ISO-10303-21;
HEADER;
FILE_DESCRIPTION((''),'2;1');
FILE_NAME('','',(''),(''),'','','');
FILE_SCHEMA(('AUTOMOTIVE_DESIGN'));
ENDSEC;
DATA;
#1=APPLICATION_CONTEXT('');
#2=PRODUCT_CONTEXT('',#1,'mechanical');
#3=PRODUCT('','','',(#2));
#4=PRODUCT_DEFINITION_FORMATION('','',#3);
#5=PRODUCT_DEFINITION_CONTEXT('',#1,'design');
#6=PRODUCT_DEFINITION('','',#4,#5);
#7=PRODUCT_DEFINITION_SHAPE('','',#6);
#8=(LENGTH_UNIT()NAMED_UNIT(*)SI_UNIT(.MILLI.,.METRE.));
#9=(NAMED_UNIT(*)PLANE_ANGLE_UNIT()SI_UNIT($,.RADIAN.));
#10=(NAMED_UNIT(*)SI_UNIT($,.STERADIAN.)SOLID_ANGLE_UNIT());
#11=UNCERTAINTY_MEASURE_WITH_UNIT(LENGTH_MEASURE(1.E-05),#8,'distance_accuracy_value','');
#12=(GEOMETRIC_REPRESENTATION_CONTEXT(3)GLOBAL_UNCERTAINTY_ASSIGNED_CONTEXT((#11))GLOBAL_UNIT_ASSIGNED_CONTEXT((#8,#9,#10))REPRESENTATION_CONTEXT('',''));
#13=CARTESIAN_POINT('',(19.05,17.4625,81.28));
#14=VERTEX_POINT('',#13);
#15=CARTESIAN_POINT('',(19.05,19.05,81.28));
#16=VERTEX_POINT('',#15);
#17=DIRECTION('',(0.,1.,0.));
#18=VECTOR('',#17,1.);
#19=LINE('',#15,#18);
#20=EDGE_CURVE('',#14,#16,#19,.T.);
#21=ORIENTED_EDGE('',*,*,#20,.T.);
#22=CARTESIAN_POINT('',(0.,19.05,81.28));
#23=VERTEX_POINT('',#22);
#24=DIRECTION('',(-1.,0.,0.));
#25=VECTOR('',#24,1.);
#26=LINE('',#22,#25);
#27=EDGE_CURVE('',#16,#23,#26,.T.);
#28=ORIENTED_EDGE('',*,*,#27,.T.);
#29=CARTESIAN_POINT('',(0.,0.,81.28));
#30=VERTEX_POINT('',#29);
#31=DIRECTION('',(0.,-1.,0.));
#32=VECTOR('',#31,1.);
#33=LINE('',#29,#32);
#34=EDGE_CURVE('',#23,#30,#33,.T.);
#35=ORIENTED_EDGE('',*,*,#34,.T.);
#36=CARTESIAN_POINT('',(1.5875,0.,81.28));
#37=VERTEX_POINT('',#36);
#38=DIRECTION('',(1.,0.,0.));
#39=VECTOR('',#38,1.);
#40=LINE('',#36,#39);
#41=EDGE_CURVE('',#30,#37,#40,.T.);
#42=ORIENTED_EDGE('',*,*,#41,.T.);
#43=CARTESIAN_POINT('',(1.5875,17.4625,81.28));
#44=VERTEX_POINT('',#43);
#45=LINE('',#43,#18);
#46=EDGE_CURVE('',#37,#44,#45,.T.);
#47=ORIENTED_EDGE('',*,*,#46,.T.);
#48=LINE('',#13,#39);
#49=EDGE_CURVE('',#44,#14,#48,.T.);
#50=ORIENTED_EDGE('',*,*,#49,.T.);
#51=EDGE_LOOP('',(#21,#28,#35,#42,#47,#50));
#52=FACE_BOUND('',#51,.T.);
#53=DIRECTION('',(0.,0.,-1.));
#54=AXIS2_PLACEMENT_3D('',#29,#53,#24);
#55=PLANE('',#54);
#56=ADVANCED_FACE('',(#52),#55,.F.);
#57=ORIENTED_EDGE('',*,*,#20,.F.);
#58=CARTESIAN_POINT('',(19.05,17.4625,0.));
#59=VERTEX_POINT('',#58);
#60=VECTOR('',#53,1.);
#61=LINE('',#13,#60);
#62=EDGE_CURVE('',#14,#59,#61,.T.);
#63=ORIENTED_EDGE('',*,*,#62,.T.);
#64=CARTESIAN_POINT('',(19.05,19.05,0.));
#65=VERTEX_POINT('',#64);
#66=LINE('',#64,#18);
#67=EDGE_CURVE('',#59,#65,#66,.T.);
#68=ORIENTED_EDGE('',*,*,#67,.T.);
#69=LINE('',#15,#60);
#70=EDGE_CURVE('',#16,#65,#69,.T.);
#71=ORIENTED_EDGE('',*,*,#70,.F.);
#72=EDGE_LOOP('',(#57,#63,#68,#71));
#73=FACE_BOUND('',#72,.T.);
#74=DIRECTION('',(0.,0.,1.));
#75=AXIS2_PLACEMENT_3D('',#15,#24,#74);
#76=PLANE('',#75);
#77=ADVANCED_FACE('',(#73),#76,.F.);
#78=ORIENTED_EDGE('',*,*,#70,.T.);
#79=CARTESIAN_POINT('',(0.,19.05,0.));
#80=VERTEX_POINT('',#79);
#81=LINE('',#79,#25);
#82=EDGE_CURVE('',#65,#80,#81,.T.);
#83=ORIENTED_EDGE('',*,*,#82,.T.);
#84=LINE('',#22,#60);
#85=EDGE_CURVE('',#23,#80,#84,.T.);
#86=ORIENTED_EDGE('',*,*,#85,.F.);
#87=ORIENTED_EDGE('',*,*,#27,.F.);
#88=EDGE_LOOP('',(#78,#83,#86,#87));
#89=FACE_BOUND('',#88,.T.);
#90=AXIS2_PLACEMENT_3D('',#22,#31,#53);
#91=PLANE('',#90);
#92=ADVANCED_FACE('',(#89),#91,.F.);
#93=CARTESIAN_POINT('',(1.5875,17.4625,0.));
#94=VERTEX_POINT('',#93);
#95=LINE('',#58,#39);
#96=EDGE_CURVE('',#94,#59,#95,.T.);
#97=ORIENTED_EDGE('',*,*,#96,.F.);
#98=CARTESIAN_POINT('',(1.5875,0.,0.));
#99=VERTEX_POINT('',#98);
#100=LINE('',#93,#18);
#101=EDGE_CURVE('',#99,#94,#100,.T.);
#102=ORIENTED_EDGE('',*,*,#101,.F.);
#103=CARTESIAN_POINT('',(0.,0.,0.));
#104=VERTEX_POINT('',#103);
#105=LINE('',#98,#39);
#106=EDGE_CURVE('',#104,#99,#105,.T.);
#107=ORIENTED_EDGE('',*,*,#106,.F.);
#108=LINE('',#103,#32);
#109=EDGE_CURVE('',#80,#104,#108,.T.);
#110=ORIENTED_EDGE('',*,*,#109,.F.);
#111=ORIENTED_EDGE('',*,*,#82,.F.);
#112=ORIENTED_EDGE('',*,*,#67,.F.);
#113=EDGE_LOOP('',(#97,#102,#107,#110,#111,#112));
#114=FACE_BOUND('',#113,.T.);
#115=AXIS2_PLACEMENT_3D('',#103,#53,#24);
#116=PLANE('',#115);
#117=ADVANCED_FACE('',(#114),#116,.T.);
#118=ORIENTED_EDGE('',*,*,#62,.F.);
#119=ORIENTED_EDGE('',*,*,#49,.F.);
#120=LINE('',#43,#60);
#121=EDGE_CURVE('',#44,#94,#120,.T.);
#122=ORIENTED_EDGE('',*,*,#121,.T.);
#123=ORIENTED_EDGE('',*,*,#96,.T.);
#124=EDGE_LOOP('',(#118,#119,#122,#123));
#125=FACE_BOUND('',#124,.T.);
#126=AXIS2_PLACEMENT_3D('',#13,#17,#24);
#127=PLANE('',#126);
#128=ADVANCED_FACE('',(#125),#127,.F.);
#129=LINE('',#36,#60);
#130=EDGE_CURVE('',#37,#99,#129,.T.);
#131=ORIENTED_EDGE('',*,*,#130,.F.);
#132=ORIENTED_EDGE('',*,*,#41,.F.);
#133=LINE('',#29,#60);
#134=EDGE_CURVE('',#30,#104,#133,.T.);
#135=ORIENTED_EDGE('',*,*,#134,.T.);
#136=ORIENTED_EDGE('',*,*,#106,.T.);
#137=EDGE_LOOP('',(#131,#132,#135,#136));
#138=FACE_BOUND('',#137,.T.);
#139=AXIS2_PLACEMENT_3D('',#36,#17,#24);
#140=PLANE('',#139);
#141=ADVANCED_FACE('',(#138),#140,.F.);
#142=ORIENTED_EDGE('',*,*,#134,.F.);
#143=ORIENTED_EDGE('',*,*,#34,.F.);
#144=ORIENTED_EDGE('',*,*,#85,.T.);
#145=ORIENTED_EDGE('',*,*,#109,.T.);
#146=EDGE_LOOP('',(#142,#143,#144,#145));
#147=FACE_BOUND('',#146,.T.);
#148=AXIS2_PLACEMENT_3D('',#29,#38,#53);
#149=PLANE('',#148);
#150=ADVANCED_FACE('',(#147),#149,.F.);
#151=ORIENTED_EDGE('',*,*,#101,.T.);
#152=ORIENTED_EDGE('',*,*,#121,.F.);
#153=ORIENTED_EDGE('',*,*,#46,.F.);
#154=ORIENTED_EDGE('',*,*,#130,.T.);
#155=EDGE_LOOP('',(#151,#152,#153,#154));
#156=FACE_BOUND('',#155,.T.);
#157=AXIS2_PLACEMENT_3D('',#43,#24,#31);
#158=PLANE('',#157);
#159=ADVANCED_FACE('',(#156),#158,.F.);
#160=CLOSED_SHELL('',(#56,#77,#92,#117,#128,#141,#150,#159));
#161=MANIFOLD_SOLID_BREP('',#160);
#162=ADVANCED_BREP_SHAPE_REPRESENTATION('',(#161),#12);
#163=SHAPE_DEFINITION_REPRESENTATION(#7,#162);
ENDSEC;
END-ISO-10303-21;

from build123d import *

# Parameters (mm, degrees)
BOSS_EXTRUDE1_DEPTH = 81.28


with BuildPart() as part:
    # Sketch1 → Boss-Extrude1 (new body)
    with BuildSketch(Plane.XY):
        Polygon((0, 0), (0, 19.05), (19.05, 19.05), (19.05, 17.4625), (1.5875, 17.4625), (1.5875, 0), align=None)
    extrude(amount=BOSS_EXTRUDE1_DEPTH)


solid = part.part
